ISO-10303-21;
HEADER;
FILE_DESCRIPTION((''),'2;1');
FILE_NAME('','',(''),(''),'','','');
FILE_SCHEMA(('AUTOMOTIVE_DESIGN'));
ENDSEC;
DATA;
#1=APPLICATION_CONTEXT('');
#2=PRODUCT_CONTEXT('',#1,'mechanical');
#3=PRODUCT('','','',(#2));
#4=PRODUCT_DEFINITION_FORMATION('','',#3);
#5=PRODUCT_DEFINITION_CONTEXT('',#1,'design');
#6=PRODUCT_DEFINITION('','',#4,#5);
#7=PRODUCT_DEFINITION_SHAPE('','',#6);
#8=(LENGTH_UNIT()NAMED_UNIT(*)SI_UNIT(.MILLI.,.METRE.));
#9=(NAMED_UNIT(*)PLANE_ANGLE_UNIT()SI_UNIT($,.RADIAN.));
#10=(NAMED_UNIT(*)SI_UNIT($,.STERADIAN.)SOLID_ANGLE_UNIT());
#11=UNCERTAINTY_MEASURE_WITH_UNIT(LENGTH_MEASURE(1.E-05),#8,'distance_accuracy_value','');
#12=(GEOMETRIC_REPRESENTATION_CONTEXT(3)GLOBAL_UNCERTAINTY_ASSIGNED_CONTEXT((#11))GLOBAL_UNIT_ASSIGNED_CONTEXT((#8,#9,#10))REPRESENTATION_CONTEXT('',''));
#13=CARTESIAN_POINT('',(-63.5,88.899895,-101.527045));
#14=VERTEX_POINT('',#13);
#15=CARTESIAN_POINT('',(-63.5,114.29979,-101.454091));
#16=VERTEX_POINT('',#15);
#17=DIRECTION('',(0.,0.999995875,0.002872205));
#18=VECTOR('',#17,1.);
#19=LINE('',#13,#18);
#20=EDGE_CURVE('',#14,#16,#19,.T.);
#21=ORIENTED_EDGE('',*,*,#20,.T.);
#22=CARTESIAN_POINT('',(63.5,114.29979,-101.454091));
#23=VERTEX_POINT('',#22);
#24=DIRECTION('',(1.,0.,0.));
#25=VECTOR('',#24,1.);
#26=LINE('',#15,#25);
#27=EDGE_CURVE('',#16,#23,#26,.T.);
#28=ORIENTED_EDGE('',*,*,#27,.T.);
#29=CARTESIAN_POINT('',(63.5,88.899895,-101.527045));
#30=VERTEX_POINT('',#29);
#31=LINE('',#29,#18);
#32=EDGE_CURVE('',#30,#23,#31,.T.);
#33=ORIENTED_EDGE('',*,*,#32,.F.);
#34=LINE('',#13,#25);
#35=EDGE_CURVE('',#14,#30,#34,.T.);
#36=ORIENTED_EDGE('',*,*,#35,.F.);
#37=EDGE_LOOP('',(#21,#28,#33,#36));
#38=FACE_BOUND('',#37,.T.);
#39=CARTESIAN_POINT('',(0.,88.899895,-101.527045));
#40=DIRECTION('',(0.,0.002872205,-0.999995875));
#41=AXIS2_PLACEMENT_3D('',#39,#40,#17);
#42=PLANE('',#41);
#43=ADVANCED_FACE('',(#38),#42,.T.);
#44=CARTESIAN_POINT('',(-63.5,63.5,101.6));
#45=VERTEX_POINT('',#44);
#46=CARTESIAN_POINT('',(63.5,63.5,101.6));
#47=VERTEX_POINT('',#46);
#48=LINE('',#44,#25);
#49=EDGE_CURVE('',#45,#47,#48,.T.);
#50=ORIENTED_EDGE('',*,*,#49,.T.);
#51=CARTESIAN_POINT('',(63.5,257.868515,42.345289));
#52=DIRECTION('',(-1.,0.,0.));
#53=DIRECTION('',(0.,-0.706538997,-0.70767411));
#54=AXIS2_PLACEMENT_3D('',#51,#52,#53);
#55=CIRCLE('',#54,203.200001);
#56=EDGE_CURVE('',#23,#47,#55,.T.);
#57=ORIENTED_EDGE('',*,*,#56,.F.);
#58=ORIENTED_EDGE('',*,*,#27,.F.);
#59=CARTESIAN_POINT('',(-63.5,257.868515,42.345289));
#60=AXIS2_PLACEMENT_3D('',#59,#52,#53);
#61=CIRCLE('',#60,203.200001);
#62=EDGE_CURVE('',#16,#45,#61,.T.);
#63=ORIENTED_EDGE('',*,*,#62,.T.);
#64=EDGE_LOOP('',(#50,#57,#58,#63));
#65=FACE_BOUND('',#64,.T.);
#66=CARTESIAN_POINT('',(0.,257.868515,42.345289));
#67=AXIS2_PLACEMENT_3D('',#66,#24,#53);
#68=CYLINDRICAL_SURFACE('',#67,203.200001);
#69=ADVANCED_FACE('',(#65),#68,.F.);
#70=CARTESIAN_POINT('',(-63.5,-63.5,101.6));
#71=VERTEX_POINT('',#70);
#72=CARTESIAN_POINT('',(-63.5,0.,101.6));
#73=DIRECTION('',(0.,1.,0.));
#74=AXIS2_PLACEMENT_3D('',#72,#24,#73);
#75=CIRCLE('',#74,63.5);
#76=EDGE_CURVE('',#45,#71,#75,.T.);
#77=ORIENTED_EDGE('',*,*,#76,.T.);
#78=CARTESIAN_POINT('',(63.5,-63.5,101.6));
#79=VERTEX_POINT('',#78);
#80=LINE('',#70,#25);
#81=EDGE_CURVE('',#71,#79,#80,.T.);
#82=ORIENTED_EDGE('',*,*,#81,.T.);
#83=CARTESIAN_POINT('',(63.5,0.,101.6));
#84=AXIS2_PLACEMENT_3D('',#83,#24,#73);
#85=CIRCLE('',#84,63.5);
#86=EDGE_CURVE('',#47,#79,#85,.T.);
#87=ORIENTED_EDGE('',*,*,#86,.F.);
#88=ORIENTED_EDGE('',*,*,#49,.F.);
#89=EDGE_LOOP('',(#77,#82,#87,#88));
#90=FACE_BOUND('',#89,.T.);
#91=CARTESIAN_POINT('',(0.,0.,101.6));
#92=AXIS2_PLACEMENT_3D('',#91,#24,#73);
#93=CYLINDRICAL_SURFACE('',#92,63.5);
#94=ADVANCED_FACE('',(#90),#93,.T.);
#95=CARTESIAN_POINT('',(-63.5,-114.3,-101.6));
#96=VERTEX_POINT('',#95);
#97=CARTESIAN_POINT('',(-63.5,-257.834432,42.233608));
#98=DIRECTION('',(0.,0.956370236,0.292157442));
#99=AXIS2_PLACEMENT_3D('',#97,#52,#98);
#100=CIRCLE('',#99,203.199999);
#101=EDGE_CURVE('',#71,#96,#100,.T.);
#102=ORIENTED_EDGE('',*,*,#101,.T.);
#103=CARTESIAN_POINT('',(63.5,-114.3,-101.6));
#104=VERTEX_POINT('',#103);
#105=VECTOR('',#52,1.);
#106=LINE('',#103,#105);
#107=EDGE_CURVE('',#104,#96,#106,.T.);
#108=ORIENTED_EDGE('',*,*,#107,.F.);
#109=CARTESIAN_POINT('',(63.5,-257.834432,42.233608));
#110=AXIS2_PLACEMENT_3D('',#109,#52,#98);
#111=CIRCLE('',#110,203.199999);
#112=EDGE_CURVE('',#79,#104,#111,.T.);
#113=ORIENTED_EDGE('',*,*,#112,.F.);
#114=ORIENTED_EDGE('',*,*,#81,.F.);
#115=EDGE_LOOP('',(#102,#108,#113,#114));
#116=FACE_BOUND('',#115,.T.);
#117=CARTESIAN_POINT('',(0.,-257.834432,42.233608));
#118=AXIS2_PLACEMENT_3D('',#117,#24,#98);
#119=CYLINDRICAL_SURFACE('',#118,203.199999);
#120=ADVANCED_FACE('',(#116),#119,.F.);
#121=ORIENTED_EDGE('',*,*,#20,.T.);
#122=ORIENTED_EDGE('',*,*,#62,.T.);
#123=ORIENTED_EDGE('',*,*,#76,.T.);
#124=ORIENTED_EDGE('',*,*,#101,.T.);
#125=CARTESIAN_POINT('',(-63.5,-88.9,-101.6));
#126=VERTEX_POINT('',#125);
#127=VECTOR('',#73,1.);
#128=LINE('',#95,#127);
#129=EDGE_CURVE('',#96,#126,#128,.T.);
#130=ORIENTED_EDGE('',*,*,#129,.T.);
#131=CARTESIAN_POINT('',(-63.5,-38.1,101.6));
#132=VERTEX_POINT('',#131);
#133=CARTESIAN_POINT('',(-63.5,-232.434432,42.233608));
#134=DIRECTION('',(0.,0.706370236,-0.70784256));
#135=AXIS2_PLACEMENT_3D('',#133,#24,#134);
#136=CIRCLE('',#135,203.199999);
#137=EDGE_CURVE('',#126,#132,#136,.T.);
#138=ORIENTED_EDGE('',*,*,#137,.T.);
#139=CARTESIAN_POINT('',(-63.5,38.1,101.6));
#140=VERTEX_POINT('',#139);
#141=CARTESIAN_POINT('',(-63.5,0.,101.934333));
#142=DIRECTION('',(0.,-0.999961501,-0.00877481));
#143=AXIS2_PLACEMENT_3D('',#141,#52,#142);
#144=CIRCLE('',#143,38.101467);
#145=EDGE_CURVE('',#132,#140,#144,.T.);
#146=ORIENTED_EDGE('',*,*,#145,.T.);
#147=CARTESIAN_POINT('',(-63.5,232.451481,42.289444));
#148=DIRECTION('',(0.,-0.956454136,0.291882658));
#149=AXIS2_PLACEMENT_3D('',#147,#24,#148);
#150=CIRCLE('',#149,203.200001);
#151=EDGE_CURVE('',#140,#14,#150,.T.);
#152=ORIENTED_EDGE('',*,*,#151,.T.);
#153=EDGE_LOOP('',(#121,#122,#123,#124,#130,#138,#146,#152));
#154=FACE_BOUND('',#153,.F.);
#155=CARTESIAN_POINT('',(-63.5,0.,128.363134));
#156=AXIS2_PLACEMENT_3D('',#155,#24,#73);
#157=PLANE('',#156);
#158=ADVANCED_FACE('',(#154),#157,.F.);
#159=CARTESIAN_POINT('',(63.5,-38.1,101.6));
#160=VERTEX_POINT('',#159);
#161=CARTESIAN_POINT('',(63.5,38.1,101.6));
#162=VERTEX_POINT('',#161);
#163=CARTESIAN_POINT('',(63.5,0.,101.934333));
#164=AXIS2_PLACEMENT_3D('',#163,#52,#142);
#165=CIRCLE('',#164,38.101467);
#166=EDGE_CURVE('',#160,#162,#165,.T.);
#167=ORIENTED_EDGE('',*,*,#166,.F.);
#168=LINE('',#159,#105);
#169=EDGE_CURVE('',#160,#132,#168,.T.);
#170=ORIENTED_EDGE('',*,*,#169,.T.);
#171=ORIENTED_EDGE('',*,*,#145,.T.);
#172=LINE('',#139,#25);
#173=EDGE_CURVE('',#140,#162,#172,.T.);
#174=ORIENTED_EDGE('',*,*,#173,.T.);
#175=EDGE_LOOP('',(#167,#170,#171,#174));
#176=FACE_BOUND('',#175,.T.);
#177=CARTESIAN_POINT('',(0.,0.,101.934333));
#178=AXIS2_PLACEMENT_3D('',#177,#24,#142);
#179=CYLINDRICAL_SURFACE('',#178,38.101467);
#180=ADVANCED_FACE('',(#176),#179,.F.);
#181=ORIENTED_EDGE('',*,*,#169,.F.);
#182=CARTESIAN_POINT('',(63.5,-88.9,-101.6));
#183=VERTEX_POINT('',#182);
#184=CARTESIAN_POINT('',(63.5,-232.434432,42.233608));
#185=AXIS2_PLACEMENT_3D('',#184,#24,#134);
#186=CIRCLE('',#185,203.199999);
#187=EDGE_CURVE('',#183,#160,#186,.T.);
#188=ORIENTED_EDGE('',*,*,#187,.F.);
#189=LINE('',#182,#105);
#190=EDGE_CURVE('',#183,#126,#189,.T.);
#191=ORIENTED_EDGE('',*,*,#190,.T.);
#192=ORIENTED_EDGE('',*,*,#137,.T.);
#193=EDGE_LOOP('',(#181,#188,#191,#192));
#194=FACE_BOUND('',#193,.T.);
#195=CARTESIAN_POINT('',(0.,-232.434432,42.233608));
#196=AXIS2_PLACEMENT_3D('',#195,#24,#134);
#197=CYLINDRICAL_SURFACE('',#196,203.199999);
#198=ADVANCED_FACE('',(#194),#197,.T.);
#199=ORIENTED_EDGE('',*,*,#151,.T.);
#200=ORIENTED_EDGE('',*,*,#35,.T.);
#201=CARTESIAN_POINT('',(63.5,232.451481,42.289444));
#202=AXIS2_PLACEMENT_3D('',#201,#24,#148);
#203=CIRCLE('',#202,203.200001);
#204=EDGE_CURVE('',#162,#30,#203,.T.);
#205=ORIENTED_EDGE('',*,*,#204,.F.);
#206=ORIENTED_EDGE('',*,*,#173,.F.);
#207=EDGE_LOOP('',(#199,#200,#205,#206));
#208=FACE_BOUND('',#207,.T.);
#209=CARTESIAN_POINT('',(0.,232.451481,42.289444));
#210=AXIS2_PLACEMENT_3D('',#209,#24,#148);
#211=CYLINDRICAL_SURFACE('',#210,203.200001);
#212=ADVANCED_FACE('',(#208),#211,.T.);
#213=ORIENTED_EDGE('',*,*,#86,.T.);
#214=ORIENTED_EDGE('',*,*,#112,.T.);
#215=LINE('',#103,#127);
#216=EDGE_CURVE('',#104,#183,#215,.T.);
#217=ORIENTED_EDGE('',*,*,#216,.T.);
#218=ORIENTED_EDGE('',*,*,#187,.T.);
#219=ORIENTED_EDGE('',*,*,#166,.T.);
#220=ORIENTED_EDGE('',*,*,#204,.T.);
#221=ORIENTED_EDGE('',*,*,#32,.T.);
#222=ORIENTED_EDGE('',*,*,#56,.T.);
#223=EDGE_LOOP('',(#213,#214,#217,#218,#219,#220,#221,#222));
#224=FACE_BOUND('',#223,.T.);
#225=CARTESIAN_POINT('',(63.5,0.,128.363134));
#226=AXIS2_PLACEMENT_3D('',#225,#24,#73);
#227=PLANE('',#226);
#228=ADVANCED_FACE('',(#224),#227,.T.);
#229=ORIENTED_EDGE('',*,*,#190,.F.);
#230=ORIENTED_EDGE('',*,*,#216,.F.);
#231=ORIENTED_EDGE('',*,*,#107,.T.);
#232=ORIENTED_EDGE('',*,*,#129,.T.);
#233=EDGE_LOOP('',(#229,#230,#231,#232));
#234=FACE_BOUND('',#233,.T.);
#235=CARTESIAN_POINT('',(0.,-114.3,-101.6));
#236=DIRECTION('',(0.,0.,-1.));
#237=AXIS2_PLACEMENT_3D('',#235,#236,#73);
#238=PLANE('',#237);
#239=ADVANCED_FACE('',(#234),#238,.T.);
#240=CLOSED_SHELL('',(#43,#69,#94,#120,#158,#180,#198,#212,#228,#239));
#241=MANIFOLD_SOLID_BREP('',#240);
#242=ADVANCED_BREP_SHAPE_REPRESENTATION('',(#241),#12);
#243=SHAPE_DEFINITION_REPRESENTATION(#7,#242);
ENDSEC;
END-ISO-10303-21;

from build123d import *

# Parameters (mm, degrees)
F1_DEPTH = 63.5


with BuildPart() as f1:
    # F0 (on Right) → F1 (new body, symmetric)
    with BuildSketch(Plane.YZ):
        with BuildLine():
            ThreePointArc((-38.1, 101.6), (0, 140.0358), (38.1, 101.6))
            Line((38.1, 101.6), (63.5, 101.6))
            ThreePointArc((63.5, 101.6), (0, 165.1), (-63.5, 101.6))
            Line((-63.5, 101.6), (-38.1, 101.6))
        make_face()
        with BuildLine():
            Line((-114.3, -101.6), (-88.9, -101.6))
            ThreePointArc((-88.9, -101.6), (-35.301476, -7.049631), (-38.1, 101.6))
            Line((-38.1, 101.6), (-63.5, 101.6))
            ThreePointArc((-63.5, 101.6), (-60.701476, -7.049631), (-114.3, -101.6))
        make_face()
        with BuildLine():
            ThreePointArc((38.1, 101.6), (35.322666, -7.010359), (88.899895, -101.527045))
            Line((88.899895, -101.527045), (114.29979, -101.454091))
            ThreePointArc((114.29979, -101.454091), (60.743845, -6.971087), (63.5, 101.6))
            Line((63.5, 101.6), (38.1, 101.6))
        make_face()
    extrude(amount=F1_DEPTH, both=True)


solid = f1.part
